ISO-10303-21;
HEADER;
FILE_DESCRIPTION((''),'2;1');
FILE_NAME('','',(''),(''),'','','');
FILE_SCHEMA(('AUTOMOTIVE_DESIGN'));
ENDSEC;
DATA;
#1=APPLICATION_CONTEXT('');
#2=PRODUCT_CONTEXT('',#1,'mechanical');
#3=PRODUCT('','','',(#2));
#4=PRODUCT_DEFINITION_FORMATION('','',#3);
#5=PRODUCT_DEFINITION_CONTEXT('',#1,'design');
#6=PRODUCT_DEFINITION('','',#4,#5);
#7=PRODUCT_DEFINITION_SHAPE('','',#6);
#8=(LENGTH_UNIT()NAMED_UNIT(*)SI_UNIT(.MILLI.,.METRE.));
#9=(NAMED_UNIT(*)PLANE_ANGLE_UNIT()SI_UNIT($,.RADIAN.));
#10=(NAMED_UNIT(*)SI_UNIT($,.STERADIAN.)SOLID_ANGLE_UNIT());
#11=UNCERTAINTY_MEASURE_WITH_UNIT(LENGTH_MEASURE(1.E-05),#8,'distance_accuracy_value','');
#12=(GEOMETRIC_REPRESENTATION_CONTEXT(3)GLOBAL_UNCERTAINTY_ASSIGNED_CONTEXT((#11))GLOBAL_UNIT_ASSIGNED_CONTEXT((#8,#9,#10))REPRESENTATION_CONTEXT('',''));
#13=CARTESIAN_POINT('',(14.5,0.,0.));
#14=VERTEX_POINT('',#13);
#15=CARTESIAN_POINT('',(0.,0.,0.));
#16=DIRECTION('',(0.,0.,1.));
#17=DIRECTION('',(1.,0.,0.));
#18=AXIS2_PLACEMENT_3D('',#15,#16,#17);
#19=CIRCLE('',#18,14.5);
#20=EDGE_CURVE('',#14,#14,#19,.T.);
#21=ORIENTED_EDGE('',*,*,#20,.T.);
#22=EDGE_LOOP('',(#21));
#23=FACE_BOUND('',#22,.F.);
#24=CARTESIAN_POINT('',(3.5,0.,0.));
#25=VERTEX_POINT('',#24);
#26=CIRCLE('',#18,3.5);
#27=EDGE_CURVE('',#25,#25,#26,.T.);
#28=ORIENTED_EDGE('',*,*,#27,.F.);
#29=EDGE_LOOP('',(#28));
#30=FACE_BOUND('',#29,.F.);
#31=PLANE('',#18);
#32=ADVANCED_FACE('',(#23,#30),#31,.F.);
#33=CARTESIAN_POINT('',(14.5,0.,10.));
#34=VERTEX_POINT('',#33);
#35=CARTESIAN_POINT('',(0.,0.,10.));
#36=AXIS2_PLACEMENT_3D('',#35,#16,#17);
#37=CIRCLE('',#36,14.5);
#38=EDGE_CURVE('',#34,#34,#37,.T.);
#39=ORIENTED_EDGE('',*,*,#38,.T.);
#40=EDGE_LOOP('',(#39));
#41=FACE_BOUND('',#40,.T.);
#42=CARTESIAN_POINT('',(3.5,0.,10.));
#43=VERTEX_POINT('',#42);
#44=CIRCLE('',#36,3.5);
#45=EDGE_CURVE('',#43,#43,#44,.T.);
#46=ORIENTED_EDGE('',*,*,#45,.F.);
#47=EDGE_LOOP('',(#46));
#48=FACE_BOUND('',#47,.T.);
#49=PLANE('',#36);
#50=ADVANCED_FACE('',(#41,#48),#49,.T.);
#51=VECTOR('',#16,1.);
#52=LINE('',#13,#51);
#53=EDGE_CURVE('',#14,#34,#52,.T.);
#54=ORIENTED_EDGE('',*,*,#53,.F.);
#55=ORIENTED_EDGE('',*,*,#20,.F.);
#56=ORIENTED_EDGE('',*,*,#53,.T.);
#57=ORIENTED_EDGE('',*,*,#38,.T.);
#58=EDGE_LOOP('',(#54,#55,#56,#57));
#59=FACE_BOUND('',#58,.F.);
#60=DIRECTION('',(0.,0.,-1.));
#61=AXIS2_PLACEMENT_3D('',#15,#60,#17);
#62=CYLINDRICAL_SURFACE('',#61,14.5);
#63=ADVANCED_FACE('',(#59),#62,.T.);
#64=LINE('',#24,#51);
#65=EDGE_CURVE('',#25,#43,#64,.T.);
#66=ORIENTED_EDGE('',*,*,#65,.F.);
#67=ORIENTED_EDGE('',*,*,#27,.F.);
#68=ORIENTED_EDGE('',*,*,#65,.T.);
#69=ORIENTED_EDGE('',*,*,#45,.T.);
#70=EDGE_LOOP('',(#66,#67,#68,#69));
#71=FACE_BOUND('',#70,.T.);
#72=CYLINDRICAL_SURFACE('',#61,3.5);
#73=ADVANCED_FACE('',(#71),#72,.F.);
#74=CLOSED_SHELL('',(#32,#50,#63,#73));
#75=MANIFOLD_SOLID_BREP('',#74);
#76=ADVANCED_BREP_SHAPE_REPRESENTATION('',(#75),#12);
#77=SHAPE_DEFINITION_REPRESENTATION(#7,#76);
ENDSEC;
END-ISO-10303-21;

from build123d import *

# Parameters (mm, degrees)
SKETCH_R   = 14.5
SKETCH_R_2 = 3.5
PAD_DEPTH  = 10


with BuildPart() as part:
    # Sketch → Pad (new body)
    with BuildSketch(Plane.XY):
        Circle(SKETCH_R)
        Circle(SKETCH_R_2, mode=Mode.SUBTRACT)
    extrude(amount=PAD_DEPTH)


solid = part.part
